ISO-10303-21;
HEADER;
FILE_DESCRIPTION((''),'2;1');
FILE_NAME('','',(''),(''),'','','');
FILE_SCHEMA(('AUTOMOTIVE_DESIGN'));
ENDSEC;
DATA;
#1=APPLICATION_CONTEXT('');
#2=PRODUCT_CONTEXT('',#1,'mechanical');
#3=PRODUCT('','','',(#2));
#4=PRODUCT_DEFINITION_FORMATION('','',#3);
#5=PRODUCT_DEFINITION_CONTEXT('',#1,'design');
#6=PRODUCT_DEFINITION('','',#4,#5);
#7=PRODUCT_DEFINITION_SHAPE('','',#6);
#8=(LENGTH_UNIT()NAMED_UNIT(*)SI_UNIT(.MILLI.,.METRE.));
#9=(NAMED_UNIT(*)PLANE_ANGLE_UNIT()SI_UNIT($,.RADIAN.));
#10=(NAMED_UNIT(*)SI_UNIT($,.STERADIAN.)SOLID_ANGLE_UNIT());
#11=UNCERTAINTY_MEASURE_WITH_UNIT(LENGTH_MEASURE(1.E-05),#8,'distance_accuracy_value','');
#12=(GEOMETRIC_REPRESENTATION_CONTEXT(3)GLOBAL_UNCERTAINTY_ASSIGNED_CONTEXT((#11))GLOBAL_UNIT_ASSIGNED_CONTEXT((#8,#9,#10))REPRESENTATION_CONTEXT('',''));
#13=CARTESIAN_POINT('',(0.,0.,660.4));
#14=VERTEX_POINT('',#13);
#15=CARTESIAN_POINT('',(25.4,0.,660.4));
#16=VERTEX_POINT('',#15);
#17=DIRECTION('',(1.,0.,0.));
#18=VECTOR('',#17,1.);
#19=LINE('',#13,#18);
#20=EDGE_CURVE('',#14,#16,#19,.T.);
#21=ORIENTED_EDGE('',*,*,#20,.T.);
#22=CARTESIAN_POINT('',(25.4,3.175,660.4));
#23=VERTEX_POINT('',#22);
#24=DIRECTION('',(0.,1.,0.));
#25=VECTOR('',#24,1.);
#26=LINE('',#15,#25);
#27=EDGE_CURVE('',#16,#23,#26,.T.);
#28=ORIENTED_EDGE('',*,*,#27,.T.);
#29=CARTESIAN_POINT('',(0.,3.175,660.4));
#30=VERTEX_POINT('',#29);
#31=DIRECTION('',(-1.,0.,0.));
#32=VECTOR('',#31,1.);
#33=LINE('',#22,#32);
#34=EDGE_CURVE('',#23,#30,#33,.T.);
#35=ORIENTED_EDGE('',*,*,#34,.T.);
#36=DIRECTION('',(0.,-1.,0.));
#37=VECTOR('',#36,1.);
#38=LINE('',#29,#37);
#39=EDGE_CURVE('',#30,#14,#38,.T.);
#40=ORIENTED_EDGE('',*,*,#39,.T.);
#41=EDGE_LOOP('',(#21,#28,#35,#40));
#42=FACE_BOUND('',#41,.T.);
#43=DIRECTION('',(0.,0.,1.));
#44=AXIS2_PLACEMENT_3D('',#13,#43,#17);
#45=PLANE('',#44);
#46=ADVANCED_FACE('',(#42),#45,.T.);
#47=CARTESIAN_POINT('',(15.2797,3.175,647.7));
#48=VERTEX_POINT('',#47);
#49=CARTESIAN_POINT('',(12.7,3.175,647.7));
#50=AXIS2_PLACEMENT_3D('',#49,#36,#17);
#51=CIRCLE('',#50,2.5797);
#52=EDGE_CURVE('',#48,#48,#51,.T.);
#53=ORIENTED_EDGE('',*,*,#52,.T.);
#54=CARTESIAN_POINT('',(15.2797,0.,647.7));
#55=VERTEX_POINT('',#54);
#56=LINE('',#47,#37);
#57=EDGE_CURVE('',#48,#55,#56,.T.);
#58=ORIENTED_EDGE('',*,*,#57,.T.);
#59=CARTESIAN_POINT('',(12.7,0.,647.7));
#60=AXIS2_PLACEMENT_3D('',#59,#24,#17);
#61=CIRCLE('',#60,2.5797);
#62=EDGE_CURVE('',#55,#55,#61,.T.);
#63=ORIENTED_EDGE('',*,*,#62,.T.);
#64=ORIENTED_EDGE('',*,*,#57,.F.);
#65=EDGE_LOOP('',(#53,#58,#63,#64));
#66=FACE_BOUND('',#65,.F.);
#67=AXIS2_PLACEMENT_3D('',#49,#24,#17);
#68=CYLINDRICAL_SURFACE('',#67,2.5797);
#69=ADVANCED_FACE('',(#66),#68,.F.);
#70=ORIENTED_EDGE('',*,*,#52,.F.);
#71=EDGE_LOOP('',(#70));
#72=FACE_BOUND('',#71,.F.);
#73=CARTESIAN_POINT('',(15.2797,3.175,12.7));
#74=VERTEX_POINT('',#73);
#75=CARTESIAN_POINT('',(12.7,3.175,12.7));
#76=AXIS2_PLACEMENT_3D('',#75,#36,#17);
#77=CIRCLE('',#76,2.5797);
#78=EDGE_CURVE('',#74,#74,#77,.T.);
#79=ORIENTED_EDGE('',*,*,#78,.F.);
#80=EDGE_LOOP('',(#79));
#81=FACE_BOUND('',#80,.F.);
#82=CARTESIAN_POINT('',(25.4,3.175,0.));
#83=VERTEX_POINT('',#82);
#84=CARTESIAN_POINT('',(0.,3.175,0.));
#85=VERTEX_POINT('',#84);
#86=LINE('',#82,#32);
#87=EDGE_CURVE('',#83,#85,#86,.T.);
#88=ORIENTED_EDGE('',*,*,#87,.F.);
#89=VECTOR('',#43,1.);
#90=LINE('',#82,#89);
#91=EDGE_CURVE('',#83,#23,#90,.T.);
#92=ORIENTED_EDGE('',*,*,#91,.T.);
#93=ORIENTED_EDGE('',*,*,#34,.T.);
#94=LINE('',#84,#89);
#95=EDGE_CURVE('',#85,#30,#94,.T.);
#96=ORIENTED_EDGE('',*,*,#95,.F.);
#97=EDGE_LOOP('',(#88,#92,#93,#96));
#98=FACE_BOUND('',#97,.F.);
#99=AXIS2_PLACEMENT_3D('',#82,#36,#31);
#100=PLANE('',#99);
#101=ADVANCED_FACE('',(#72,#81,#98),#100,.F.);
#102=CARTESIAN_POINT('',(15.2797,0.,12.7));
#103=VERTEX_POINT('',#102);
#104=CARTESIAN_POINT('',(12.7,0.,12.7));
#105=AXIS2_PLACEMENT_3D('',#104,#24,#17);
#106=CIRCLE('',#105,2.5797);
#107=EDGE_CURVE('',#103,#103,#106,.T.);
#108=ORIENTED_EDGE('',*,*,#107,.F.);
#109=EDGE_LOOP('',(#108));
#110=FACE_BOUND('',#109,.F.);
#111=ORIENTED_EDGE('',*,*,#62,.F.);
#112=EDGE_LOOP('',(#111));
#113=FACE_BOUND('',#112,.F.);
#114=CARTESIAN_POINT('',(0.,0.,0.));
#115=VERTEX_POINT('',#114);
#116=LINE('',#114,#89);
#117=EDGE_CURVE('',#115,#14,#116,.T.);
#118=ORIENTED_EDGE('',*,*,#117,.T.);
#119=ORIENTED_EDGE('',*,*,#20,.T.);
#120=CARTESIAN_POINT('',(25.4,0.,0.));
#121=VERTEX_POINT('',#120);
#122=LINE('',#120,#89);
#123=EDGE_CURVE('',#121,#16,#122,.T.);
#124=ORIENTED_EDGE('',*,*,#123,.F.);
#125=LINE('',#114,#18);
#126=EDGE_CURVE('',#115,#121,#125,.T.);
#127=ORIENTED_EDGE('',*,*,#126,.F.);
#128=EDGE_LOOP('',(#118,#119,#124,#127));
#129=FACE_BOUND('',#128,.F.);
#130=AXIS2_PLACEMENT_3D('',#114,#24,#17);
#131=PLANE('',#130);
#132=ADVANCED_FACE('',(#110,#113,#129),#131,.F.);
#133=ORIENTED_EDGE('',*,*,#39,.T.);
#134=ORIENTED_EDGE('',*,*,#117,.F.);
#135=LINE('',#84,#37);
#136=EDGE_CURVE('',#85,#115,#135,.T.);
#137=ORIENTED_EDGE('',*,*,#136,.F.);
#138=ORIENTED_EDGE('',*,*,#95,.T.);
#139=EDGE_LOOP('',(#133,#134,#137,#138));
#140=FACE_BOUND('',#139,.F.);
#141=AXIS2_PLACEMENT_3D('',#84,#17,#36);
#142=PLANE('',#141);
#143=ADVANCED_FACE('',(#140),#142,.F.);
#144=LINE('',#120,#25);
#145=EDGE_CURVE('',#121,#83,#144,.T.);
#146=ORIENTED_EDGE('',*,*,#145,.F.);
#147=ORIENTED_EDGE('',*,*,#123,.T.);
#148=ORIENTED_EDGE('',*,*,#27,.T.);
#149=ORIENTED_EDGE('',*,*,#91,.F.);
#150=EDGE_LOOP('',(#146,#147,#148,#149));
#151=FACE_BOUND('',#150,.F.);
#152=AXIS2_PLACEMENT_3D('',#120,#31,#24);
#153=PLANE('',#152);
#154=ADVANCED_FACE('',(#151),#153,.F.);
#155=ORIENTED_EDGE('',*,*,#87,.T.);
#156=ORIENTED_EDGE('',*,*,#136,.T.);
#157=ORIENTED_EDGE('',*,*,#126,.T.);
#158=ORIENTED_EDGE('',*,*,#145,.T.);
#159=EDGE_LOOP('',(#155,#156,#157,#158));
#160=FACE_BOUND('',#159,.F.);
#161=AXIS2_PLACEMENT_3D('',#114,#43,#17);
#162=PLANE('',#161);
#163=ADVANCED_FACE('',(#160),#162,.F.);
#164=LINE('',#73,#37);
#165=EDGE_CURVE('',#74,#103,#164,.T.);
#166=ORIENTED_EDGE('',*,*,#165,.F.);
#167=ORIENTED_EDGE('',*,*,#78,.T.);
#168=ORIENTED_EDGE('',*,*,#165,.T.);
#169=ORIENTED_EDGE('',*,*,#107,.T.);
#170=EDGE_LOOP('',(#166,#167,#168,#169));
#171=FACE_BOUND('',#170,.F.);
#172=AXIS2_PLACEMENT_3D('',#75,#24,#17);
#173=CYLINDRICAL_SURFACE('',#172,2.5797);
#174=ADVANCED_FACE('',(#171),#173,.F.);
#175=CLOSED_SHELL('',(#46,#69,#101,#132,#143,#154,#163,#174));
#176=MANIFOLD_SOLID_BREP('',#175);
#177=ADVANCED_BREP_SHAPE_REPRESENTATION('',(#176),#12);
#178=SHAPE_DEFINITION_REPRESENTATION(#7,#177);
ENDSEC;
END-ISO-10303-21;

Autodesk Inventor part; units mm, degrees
ref_plane "YZ Plane" through (0, 0, 0) normal (1, 0, 0) x (0, 1, 0)
ref_plane "XZ Plane" through (0, 0, 0) normal (0, 1, 0) x (-1, 0, 0)
ref_plane "XY Plane" through (0, 0, 0) normal (0, 0, 1) x (1, 0, 0)
sketch "Sketch1" plane through (0, 0, 0) normal (0, 0, 1) x (1, 0, 0)
  line L0 (0, 0) -> (25.4, 0)
  line L1 (25.4, 0) -> (25.4, 3.175)
  line L2 (25.4, 3.175) -> (0, 3.175)
  line L3 (0, 3.175) -> (0, 0)
  dimension "d23" = 25.4
  dimension "d24" = 3.175
extrude "Extrusion1" add sketch "Sketch1" along normal blind 660.4
sketch "Sketch6" plane through (0, 3.175, 0) normal (0, 1, 0) x (1, 0, 0)
  line L0 (0, 0) -> (25.4, 0) projected
  line L1 (12.7, 0) -> (12.7, -12.7)
  line L2 (0, -660.4) -> (25.4, -660.4) projected
  line L3 (12.7, -660.4) -> (12.7, -647.7)
  circle A0 centre (12.7, -647.7) radius 2.5797
  circle A1 centre (12.7, -12.7) radius 2.5797
  dimension "d25" = 12.7
  dimension "d26" = 12.7
  dimension "d27" = 5.1594
extrude "Extrusion6" cut sketch "Sketch6" against normal blind 609.6
properties part number "1x1 24"
